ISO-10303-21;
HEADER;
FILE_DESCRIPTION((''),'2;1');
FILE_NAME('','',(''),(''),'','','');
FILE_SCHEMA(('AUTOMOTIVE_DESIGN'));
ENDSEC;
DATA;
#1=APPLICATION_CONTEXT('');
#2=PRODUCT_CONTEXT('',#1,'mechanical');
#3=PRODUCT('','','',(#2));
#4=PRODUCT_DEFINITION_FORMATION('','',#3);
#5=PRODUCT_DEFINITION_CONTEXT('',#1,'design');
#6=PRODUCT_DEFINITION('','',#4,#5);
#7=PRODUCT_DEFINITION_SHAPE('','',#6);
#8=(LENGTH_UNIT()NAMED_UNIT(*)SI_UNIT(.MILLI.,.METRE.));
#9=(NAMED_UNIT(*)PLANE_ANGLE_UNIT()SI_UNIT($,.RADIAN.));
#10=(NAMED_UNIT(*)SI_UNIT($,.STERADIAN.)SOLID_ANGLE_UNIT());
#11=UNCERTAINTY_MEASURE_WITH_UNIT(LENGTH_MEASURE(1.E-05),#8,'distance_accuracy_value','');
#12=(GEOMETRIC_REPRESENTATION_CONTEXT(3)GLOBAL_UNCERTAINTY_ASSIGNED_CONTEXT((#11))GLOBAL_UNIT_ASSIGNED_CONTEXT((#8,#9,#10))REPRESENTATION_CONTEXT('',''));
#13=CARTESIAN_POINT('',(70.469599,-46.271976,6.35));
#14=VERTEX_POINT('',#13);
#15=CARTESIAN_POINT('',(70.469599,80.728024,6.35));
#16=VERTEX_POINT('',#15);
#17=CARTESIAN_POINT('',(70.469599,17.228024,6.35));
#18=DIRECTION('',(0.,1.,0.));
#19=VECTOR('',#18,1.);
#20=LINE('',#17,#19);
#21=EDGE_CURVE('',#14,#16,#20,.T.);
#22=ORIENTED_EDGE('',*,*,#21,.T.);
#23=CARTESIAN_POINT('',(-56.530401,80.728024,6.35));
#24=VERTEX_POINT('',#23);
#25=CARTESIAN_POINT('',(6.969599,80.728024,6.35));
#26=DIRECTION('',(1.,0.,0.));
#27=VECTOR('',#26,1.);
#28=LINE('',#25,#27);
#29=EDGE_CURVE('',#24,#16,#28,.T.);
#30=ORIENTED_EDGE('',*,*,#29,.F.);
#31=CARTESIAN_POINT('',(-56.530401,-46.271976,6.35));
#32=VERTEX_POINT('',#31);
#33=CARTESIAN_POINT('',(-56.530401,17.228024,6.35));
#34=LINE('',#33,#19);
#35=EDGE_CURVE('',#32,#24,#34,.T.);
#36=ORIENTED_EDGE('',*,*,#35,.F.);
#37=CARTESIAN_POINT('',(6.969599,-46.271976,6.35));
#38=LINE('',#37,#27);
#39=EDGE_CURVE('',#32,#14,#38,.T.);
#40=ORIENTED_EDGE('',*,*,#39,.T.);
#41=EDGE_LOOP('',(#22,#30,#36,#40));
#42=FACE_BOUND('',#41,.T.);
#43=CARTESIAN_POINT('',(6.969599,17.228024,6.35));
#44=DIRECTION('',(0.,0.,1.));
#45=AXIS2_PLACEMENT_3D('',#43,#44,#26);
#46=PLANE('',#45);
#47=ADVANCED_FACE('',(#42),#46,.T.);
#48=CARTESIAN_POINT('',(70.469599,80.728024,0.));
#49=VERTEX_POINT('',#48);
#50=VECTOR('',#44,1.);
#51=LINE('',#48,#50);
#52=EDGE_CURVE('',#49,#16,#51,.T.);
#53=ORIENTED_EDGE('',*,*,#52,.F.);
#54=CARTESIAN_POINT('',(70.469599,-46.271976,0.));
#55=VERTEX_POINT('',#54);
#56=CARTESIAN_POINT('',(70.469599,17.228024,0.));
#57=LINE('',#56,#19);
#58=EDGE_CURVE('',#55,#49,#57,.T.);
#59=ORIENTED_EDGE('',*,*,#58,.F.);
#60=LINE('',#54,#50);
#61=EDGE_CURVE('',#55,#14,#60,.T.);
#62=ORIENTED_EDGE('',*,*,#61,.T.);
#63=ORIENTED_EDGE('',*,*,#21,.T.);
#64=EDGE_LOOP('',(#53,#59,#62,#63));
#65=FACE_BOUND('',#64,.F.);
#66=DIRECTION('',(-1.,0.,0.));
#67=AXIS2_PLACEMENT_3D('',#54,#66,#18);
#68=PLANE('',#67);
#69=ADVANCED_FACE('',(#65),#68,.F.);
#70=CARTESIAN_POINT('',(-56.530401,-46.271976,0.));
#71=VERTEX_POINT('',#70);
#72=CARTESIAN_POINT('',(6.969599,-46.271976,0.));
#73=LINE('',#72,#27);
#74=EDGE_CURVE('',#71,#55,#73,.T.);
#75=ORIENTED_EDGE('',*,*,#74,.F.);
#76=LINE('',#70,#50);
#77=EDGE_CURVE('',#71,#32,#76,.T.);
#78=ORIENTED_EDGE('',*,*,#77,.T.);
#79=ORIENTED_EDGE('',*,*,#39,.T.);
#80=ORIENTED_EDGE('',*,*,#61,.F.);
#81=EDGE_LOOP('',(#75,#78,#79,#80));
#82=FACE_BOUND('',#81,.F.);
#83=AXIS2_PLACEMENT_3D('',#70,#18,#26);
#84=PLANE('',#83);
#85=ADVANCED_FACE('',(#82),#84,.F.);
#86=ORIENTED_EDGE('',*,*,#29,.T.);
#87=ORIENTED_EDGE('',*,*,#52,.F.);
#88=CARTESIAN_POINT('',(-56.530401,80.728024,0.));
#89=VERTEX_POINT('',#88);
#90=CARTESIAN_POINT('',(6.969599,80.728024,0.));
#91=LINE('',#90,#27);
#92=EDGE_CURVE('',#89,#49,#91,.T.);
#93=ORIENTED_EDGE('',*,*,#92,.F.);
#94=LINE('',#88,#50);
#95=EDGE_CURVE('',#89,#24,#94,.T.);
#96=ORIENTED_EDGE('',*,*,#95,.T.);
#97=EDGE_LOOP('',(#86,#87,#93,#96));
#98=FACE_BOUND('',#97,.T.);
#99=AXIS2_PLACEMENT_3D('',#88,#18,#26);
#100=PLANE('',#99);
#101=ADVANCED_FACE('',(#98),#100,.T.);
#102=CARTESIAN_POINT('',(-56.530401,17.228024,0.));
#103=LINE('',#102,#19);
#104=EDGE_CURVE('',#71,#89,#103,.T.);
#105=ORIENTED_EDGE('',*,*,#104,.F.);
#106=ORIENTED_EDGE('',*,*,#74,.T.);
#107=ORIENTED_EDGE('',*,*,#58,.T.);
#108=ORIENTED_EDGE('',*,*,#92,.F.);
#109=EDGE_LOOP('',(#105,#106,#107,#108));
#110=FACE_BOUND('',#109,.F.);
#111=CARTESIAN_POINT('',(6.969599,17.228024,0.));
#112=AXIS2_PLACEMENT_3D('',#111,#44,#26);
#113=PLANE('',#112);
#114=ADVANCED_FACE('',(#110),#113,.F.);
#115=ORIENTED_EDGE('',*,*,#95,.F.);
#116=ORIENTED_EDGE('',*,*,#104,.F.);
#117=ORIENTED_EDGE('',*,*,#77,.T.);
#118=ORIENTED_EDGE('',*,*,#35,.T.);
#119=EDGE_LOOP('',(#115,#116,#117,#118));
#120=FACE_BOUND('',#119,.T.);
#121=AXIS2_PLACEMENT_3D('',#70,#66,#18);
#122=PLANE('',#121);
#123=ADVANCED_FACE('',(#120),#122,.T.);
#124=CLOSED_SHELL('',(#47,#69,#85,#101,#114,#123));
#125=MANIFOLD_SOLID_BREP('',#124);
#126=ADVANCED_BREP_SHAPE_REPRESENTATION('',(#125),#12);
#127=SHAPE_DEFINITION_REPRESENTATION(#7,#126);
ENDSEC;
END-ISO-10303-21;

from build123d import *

# Parameters (mm, degrees)
F0_W     = 127
F0_H     = 127
F1_DEPTH = 6.35
F2_R     = 6.35
F2_R_2   = 3.175
F3_DEPTH = 254


with BuildPart() as f1:
    # F0 (on Top) → F1 (new body)
    with BuildSketch(Plane.XY):
        with Locations((6.969599, 17.228024)):
            Rectangle(F0_W, F0_H)
    extrude(amount=F1_DEPTH)

    # F2 (on face) → F3 (cut)
    with BuildSketch(Plane.XZ.offset(46.271976)):
        with Locations((-6.880401, 18.15271)):
            Circle(F2_R)
        with Locations((52.549634, 18.415)):
            Circle(F2_R_2)
    extrude(amount=-F3_DEPTH, mode=Mode.SUBTRACT)


solid = f1.part
